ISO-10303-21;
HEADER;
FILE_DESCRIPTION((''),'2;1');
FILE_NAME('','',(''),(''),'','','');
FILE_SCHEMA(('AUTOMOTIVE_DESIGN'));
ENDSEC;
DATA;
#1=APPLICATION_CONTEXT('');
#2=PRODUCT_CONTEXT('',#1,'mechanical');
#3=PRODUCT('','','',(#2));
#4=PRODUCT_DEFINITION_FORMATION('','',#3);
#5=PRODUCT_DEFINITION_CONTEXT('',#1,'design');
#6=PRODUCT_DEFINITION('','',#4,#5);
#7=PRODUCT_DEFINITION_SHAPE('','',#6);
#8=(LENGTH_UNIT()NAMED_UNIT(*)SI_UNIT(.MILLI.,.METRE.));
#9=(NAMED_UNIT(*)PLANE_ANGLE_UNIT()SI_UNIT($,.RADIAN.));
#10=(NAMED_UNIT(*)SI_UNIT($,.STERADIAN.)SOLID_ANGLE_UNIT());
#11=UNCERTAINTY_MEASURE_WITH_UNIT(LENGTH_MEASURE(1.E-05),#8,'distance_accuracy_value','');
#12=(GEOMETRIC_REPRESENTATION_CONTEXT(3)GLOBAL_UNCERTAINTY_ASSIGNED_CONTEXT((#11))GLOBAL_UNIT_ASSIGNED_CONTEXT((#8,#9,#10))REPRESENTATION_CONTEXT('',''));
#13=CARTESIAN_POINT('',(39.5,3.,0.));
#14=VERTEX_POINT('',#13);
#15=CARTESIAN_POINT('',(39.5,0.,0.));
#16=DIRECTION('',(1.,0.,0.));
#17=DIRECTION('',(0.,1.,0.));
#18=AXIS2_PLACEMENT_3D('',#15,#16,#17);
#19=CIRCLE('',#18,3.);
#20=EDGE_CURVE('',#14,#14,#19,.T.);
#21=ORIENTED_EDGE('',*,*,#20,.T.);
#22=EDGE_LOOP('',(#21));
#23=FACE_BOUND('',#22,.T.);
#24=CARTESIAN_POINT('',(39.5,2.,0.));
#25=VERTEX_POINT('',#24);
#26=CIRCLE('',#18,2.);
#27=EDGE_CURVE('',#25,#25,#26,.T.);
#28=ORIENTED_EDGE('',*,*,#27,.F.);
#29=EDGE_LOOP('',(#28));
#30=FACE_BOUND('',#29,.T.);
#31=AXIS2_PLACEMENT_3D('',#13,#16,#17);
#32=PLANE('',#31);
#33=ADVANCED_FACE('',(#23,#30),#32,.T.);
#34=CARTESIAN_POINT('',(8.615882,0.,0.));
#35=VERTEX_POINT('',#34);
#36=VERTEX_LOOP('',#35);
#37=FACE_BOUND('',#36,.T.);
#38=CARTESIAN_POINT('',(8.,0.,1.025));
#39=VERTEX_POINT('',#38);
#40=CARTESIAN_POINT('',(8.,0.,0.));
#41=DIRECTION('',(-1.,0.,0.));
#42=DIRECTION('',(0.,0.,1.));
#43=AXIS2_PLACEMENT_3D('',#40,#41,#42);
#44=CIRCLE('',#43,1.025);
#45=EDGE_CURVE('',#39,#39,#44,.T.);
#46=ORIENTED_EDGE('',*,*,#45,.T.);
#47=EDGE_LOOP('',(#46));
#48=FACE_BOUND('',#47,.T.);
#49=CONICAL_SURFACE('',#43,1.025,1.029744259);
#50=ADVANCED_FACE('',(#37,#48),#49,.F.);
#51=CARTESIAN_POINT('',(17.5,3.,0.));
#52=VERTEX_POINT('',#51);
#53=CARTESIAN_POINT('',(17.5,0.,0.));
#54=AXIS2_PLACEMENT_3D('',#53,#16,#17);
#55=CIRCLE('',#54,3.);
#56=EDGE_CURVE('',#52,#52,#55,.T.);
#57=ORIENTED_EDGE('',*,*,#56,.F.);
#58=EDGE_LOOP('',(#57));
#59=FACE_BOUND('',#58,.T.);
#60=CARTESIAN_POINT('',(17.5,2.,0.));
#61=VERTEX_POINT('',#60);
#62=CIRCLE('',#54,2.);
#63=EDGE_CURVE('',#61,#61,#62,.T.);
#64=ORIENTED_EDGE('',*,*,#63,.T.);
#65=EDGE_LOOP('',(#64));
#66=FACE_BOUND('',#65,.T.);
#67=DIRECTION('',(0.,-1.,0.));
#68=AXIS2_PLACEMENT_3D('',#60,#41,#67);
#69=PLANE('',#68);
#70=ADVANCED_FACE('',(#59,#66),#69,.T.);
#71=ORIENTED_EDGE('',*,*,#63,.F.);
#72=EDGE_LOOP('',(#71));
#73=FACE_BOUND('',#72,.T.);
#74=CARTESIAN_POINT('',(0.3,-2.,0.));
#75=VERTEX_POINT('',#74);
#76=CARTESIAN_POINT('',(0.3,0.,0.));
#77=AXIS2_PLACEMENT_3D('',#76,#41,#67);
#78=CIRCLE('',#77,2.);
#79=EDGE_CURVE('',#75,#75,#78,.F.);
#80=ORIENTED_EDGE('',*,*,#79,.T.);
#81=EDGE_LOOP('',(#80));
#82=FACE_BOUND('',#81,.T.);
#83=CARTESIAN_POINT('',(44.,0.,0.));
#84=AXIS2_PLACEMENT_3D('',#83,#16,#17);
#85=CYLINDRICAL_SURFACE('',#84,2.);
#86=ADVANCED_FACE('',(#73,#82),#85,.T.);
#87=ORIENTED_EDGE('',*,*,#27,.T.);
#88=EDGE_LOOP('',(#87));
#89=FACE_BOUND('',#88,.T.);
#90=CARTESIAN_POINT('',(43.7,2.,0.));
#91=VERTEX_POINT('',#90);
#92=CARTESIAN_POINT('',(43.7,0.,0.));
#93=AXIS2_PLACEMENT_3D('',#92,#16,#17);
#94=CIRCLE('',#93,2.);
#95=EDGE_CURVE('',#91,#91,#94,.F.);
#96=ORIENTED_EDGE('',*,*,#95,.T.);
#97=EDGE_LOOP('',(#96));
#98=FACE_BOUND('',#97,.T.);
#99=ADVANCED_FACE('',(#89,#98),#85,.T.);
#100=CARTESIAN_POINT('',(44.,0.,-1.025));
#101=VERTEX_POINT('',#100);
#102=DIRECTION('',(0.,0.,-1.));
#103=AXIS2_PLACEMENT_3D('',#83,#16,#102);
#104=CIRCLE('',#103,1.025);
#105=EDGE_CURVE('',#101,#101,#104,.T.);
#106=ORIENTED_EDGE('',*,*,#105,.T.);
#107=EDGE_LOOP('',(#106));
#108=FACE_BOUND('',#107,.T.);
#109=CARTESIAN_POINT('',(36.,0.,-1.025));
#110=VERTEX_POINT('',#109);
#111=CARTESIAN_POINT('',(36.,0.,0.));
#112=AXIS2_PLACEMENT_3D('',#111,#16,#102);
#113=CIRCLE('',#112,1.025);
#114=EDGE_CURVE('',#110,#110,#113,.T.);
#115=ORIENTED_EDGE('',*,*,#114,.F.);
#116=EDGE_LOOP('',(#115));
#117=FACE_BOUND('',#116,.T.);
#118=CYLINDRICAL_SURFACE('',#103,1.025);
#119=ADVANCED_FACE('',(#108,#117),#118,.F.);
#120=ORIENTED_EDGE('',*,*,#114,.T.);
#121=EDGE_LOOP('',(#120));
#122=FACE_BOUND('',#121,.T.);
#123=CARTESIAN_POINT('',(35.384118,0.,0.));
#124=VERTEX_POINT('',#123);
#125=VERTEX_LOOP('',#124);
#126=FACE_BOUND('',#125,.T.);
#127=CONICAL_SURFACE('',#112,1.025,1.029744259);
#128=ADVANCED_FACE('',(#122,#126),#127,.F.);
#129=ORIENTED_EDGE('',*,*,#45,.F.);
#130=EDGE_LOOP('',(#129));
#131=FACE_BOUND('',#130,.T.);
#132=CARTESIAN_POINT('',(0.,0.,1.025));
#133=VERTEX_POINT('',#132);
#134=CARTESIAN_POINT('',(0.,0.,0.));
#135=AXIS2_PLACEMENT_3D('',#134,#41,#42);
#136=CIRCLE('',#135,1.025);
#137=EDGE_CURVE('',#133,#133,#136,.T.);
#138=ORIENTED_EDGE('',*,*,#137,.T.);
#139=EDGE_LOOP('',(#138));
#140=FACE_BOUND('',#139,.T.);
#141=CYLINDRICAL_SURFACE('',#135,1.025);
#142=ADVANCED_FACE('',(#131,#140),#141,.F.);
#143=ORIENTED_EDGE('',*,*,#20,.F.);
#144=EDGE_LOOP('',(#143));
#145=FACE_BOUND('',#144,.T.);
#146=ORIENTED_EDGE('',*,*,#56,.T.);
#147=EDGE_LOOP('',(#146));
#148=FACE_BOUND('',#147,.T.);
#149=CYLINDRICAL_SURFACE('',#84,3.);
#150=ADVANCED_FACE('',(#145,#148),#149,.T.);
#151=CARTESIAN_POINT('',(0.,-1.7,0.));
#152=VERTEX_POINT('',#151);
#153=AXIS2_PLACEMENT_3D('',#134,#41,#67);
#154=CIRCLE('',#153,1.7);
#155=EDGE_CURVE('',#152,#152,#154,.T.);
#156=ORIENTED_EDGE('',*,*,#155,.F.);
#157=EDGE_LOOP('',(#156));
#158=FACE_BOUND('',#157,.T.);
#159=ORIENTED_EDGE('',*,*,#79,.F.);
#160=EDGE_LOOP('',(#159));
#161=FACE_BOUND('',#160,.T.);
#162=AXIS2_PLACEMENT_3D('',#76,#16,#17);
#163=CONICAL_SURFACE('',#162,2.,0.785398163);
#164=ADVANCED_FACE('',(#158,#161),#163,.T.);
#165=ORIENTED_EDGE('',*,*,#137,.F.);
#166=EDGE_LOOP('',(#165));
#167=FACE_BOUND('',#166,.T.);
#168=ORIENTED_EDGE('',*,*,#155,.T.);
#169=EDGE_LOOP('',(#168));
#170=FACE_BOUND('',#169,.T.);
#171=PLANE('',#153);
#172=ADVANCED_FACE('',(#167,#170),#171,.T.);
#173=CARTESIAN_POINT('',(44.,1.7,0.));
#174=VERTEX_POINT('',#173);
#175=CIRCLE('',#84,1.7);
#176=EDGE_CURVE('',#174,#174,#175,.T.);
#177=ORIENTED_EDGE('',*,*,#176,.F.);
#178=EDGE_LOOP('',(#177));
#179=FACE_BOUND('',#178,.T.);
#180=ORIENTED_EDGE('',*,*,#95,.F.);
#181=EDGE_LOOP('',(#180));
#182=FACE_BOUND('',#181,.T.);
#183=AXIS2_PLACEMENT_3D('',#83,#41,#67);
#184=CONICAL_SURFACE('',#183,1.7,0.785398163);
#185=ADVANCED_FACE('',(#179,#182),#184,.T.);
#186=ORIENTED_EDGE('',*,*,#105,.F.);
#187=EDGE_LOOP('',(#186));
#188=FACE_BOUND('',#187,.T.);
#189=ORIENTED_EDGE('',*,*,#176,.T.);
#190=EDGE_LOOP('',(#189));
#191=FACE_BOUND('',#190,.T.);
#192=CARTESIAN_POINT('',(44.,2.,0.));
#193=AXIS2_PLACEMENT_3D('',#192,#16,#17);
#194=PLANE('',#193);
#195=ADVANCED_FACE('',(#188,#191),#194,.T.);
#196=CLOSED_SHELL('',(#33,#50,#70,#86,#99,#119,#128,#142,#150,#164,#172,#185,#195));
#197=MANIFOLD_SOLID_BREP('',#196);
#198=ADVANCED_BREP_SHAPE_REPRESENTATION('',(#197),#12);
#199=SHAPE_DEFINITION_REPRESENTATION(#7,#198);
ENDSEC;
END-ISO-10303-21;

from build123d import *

# Parameters (mm, degrees)
TROU_TARAUD_M2_51_D     = 2.05
TROU_TARAUD_M2_51_DEPTH = 8
TROU_TARAUD_M2_51_TIP   = 0.615882135
TROU_TARAUD_M2_52_D     = 2.05
TROU_TARAUD_M2_52_DEPTH = 8
TROU_TARAUD_M2_52_TIP   = 0.615882135
CHANFREIN1_SIZE         = 0.3


with BuildPart() as part:
    # Esquisse1 → Révolution1 (revolve)
    with BuildSketch(Plane.XY):
        Polygon((0, 0), (0, 2), (17.5, 2), (17.5, 3), (39.5, 3), (39.5, 2), (44, 2), (44, 0), align=None)
    revolve(axis=Axis((44, 0, 0), (-1, 0, 0)))

    # Trou taraudé M2.51
    with Locations(Plane.ZY):
        with Locations((0, 0)):
            Hole(TROU_TARAUD_M2_51_D / 2, depth=TROU_TARAUD_M2_51_DEPTH)
            with Locations((0, 0, -(TROU_TARAUD_M2_51_DEPTH + TROU_TARAUD_M2_51_TIP / 2))):  # 118° drill point
                Cone(0, TROU_TARAUD_M2_51_D / 2, TROU_TARAUD_M2_51_TIP, mode=Mode.SUBTRACT)

    # Trou taraudé M2.52
    with Locations(Plane(origin=(44, 0, 0), x_dir=(0, 0, -1), z_dir=(1, 0, 0))):
        with Locations((0, 0)):
            Hole(TROU_TARAUD_M2_52_D / 2, depth=TROU_TARAUD_M2_52_DEPTH)
            with Locations((0, 0, -(TROU_TARAUD_M2_52_DEPTH + TROU_TARAUD_M2_52_TIP / 2))):  # 118° drill point
                Cone(0, TROU_TARAUD_M2_52_D / 2, TROU_TARAUD_M2_52_TIP, mode=Mode.SUBTRACT)

    # Chanfrein1
    chanfrein1_edges = [part.edges().sort_by_distance(p)[0] for p in [
        (44, -2, 0),
        (0, -2, 0),
    ]]
    chamfer(chanfrein1_edges, length=CHANFREIN1_SIZE)


solid = part.part
